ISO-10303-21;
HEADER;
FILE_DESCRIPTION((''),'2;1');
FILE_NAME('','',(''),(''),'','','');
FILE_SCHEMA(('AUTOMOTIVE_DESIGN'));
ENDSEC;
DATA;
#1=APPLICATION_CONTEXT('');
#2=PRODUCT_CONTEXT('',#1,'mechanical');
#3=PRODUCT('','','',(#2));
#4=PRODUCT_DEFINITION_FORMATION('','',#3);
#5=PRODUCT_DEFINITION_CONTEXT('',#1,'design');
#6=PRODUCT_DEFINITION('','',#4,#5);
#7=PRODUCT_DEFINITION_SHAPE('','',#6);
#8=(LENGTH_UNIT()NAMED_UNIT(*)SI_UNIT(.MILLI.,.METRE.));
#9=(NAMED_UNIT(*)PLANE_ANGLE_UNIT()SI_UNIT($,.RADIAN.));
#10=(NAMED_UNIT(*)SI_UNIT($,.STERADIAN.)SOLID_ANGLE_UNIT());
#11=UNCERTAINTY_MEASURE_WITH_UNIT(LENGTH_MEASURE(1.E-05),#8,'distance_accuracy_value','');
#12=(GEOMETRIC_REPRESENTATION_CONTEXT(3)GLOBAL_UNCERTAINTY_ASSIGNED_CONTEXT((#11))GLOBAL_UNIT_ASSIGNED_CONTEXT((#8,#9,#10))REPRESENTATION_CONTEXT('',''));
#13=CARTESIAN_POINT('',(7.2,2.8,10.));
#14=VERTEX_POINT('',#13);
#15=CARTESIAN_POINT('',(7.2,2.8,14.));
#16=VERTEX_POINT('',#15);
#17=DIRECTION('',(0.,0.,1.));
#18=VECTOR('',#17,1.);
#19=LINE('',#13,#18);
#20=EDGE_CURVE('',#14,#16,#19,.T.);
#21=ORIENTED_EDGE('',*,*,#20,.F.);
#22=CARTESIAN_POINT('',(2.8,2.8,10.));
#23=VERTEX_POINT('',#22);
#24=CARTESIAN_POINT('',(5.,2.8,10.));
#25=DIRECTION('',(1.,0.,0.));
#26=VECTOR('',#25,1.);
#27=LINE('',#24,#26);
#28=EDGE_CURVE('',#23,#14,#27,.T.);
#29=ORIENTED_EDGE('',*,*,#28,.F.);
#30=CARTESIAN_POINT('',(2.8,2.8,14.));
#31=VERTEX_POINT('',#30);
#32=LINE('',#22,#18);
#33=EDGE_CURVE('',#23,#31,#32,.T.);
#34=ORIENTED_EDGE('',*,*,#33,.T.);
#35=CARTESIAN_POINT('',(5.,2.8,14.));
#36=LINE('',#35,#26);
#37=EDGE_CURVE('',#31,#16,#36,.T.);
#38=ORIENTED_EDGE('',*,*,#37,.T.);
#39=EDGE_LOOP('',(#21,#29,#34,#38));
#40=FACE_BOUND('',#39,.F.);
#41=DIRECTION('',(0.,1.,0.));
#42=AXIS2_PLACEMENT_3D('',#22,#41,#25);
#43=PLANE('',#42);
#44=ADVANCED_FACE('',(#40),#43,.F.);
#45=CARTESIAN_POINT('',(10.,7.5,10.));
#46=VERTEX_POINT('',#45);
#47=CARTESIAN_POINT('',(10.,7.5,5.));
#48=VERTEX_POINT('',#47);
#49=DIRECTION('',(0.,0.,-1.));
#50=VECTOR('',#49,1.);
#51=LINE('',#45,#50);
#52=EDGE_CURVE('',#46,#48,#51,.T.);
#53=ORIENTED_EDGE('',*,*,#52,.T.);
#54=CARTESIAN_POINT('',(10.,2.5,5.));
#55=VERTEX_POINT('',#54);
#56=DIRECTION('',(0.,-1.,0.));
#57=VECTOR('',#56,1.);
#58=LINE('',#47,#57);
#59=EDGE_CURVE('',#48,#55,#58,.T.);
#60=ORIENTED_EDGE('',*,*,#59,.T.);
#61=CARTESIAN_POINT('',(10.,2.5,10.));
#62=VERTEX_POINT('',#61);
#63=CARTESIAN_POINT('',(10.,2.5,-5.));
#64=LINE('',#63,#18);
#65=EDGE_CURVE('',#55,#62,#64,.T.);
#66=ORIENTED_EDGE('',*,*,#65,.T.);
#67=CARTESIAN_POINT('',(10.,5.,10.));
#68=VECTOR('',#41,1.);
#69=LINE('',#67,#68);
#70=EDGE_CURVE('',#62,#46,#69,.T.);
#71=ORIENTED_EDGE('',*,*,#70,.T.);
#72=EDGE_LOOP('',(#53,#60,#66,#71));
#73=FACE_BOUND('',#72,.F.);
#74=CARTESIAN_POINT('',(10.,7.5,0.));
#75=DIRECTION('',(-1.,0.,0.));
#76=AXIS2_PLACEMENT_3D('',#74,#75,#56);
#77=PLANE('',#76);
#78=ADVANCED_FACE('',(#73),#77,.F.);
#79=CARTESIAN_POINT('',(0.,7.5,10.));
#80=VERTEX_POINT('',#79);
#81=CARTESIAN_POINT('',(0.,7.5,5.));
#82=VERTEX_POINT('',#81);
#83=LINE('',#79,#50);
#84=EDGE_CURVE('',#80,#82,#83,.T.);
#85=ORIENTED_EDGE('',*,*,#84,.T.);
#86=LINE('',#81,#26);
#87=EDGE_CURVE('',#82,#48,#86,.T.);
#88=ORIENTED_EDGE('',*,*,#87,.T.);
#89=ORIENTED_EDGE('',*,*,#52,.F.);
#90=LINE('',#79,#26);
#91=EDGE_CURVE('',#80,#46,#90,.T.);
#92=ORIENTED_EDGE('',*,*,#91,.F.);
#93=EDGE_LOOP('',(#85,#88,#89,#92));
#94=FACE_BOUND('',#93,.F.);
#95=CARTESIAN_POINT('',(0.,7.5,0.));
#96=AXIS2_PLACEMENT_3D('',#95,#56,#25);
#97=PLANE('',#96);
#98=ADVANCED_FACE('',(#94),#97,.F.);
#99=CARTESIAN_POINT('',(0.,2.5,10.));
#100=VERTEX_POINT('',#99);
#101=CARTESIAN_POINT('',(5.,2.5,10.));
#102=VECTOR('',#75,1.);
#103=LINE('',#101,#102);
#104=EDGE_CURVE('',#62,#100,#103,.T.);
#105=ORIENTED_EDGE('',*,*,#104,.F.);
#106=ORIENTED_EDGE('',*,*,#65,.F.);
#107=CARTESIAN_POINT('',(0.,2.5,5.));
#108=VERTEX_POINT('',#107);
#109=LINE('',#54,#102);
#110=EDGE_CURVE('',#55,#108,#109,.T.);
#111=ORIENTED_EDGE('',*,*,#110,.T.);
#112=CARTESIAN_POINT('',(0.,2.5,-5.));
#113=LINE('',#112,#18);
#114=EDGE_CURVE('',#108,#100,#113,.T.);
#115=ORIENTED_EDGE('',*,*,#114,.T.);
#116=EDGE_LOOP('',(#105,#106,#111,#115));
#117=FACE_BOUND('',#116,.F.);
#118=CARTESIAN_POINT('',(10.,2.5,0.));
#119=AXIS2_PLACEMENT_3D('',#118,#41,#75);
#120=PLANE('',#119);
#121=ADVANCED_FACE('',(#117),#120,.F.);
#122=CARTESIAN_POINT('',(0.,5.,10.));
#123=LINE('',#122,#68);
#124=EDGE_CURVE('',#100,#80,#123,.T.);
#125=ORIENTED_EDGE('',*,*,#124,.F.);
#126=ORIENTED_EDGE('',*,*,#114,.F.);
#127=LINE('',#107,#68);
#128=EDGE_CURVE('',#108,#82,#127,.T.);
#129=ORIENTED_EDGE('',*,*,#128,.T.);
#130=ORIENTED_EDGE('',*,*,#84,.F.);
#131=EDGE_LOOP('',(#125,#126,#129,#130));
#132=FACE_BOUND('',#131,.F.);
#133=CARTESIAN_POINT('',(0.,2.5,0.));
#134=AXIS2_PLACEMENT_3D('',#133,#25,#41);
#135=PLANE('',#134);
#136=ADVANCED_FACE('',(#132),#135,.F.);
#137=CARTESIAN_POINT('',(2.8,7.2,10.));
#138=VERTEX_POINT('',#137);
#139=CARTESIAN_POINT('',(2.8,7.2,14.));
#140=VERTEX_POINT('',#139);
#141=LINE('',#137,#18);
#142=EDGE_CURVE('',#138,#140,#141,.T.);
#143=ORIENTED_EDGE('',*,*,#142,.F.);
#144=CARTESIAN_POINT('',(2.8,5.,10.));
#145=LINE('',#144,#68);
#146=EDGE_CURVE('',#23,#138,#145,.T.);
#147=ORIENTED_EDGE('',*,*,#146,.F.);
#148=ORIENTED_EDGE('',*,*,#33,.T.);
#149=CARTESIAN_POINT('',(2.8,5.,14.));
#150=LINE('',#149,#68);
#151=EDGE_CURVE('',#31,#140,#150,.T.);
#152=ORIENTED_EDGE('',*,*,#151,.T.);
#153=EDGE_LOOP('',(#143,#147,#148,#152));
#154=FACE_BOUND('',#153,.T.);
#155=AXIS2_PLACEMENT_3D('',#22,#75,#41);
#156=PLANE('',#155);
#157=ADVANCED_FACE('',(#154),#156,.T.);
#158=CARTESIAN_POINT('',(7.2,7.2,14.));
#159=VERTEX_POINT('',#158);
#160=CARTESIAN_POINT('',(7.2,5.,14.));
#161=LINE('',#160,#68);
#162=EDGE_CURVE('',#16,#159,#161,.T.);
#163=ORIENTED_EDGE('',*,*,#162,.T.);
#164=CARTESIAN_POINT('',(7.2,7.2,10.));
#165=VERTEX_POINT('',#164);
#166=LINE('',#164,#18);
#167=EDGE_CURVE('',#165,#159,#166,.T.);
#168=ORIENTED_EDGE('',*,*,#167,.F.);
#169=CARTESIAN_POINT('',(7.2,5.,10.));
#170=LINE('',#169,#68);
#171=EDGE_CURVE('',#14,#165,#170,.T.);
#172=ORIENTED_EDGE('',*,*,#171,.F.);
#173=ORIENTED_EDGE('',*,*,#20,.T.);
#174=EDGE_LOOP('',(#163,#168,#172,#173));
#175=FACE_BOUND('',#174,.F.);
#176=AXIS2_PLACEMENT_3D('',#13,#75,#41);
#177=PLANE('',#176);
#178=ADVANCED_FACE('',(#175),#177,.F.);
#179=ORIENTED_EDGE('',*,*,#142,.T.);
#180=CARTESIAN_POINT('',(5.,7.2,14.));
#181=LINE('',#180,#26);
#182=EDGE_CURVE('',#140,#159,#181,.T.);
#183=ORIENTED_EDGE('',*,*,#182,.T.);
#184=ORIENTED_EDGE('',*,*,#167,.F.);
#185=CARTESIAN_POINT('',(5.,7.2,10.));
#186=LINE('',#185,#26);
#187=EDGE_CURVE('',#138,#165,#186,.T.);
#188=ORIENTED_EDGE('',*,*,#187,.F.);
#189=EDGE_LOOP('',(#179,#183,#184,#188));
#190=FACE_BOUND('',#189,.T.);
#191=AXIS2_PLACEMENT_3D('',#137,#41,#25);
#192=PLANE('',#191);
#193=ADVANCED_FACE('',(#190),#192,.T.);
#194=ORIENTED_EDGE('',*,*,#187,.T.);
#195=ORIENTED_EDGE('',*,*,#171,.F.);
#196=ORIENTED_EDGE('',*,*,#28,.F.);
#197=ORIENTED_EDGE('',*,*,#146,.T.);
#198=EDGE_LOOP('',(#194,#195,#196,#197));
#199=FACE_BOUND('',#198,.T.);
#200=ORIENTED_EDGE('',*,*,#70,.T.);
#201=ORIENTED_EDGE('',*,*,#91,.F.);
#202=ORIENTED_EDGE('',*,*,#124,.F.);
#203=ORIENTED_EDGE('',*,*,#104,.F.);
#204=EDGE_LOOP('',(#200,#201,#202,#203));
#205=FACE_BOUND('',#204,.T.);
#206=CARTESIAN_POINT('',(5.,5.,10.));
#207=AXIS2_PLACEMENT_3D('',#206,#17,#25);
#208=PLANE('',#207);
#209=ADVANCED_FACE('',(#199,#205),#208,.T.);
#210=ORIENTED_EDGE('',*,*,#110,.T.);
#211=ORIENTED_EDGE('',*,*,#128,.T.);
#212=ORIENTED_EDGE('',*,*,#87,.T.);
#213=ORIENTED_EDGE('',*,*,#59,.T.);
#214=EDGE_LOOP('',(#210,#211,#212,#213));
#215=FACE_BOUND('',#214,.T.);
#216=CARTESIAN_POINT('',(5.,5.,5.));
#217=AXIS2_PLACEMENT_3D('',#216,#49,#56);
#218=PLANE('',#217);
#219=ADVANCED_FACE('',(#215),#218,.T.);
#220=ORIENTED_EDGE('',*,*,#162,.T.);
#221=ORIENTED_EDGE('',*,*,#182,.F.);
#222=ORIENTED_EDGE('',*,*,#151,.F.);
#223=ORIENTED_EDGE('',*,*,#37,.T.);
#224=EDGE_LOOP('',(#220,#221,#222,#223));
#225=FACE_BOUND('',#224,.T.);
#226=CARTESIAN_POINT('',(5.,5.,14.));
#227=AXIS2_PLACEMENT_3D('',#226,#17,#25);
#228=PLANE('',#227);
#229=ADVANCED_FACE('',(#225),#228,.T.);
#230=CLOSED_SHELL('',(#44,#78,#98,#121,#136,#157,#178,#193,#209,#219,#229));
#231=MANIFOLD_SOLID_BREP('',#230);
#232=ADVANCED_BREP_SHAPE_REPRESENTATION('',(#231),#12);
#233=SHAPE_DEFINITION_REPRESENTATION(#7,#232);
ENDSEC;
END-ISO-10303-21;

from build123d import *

# Parameters (mm, degrees)
BOX_W              = 10
BOX_H              = 10
BOX_DEPTH          = 10
SKETCH_W           = 4.4
SKETCH_H           = 4.4
PAD_DEPTH          = 4
PAD_FACE4_W        = 10
PAD_FACE4_H        = 10
POCKET_DEPTH       = 2.5
POCKET_FACE5_W     = 10
POCKET_FACE5_H     = 10
POCKET001_DEPTH    = 2.5
SKETCH001_W        = 5
SKETCH001_H        = 10
PAD001_DEPTH       = 10
SKETCH002_W        = 4.4
SKETCH002_H        = 4.4
PAD002_DEPTH       = 4
PAD002_FACE22_W    = 4.4
PAD002_FACE22_H    = 4.4
POCKET002_DEPTH    = 5
POCKET002_FACE16_W = 5
POCKET002_FACE16_H = 10
POCKET003_DEPTH    = 7.5
POCKET003_FACE15_W = 5
POCKET003_FACE15_H = 10
POCKET004_DEPTH    = 2.5
PAD003_DEPTH       = 5
POCKET005_DEPTH    = 10


with BuildPart() as part:
    # Box → Box (new body)
    with BuildSketch(Plane.XY):
        with Locations((5, 5)):
            Rectangle(BOX_W, BOX_H)
    extrude(amount=BOX_DEPTH)

    # Sketch (on Face6 of BaseFeature) → Pad (new body)
    with BuildSketch(Plane.XY.offset(10)):
        with Locations((5, 5)):
            Rectangle(SKETCH_W, SKETCH_H)
    extrude(amount=PAD_DEPTH)

    # Pad Face4 → Pocket (cut)
    with BuildSketch(Plane(origin=(5, 10, 5), x_dir=(1, 0, 0), z_dir=(0, 1, 0))):
        Rectangle(PAD_FACE4_W, PAD_FACE4_H)
    extrude(amount=-POCKET_DEPTH, mode=Mode.SUBTRACT)

    # Pocket Face5 → Pocket001 (cut)
    with BuildSketch(Plane(origin=(5, 0, 5), x_dir=(-1, 0, 0), z_dir=(0, -1, 0))):
        Rectangle(POCKET_FACE5_W, POCKET_FACE5_H)
    extrude(amount=-POCKET001_DEPTH, mode=Mode.SUBTRACT)

    # Sketch001 (on Face3 of Pocket001) → Pad001 (join)
    with BuildSketch(Plane(origin=(0, 7.5, 0), x_dir=(-1, 0, 0), z_dir=(0, 1, 0))):
        with Locations((-5, 5)):
            Rectangle(SKETCH001_W, SKETCH001_H)
    extrude(amount=PAD001_DEPTH)

    # Sketch002 (on Face6 of Pad001) → Pad002 (join)
    with BuildSketch(Plane.XY.offset(10)):
        with Locations((5, 12.5)):
            Rectangle(SKETCH002_W, SKETCH002_H)
    extrude(amount=PAD002_DEPTH)

    # Pad002 Face22 → Pocket002 (cut)
    with BuildSketch(Plane(origin=(5, 12.5, 14), x_dir=(0, 1, 0), z_dir=(0, 0, 1))):
        Rectangle(PAD002_FACE22_W, PAD002_FACE22_H)
    extrude(amount=-POCKET002_DEPTH, mode=Mode.SUBTRACT)

    # Pocket002 Face16 → Pocket003 (cut)
    with BuildSketch(Plane(origin=(5, 17.5, 5), x_dir=(1, 0, 0), z_dir=(0, 1, 0))):
        Rectangle(POCKET002_FACE16_W, POCKET002_FACE16_H)
    extrude(amount=-POCKET003_DEPTH, mode=Mode.SUBTRACT)

    # Pocket003 Face15 → Pocket004 (cut)
    with BuildSketch(Plane(origin=(5, 10, 5), x_dir=(1, 0, 0), z_dir=(0, 1, 0))):
        Rectangle(POCKET003_FACE15_W, POCKET003_FACE15_H)
    extrude(amount=-POCKET004_DEPTH, mode=Mode.SUBTRACT)

    # Pocket004 Face4 → Pad003 (add)
    with BuildSketch(Plane(origin=(5, 5, 0), x_dir=(0, -1, 0), z_dir=(0, 0, -1))):
        Polygon((2.5, 5), (-2.5, 5), (-2.5, 2.5), (-2.5, -2.5), (-2.5, -5), (2.5, -5), align=None)
    extrude(amount=PAD003_DEPTH)

    # Pad003 Face15 → Pocket005 (cut)
    with BuildSketch(Plane(origin=(5, 5, -5), x_dir=(0, -1, 0), z_dir=(0, 0, -1))):
        Polygon((2.5, 5), (-2.5, 5), (-2.5, 2.5), (-2.5, -2.5), (-2.5, -5), (2.5, -5), align=None)
    extrude(amount=-POCKET005_DEPTH, mode=Mode.SUBTRACT)


solid = part.part
